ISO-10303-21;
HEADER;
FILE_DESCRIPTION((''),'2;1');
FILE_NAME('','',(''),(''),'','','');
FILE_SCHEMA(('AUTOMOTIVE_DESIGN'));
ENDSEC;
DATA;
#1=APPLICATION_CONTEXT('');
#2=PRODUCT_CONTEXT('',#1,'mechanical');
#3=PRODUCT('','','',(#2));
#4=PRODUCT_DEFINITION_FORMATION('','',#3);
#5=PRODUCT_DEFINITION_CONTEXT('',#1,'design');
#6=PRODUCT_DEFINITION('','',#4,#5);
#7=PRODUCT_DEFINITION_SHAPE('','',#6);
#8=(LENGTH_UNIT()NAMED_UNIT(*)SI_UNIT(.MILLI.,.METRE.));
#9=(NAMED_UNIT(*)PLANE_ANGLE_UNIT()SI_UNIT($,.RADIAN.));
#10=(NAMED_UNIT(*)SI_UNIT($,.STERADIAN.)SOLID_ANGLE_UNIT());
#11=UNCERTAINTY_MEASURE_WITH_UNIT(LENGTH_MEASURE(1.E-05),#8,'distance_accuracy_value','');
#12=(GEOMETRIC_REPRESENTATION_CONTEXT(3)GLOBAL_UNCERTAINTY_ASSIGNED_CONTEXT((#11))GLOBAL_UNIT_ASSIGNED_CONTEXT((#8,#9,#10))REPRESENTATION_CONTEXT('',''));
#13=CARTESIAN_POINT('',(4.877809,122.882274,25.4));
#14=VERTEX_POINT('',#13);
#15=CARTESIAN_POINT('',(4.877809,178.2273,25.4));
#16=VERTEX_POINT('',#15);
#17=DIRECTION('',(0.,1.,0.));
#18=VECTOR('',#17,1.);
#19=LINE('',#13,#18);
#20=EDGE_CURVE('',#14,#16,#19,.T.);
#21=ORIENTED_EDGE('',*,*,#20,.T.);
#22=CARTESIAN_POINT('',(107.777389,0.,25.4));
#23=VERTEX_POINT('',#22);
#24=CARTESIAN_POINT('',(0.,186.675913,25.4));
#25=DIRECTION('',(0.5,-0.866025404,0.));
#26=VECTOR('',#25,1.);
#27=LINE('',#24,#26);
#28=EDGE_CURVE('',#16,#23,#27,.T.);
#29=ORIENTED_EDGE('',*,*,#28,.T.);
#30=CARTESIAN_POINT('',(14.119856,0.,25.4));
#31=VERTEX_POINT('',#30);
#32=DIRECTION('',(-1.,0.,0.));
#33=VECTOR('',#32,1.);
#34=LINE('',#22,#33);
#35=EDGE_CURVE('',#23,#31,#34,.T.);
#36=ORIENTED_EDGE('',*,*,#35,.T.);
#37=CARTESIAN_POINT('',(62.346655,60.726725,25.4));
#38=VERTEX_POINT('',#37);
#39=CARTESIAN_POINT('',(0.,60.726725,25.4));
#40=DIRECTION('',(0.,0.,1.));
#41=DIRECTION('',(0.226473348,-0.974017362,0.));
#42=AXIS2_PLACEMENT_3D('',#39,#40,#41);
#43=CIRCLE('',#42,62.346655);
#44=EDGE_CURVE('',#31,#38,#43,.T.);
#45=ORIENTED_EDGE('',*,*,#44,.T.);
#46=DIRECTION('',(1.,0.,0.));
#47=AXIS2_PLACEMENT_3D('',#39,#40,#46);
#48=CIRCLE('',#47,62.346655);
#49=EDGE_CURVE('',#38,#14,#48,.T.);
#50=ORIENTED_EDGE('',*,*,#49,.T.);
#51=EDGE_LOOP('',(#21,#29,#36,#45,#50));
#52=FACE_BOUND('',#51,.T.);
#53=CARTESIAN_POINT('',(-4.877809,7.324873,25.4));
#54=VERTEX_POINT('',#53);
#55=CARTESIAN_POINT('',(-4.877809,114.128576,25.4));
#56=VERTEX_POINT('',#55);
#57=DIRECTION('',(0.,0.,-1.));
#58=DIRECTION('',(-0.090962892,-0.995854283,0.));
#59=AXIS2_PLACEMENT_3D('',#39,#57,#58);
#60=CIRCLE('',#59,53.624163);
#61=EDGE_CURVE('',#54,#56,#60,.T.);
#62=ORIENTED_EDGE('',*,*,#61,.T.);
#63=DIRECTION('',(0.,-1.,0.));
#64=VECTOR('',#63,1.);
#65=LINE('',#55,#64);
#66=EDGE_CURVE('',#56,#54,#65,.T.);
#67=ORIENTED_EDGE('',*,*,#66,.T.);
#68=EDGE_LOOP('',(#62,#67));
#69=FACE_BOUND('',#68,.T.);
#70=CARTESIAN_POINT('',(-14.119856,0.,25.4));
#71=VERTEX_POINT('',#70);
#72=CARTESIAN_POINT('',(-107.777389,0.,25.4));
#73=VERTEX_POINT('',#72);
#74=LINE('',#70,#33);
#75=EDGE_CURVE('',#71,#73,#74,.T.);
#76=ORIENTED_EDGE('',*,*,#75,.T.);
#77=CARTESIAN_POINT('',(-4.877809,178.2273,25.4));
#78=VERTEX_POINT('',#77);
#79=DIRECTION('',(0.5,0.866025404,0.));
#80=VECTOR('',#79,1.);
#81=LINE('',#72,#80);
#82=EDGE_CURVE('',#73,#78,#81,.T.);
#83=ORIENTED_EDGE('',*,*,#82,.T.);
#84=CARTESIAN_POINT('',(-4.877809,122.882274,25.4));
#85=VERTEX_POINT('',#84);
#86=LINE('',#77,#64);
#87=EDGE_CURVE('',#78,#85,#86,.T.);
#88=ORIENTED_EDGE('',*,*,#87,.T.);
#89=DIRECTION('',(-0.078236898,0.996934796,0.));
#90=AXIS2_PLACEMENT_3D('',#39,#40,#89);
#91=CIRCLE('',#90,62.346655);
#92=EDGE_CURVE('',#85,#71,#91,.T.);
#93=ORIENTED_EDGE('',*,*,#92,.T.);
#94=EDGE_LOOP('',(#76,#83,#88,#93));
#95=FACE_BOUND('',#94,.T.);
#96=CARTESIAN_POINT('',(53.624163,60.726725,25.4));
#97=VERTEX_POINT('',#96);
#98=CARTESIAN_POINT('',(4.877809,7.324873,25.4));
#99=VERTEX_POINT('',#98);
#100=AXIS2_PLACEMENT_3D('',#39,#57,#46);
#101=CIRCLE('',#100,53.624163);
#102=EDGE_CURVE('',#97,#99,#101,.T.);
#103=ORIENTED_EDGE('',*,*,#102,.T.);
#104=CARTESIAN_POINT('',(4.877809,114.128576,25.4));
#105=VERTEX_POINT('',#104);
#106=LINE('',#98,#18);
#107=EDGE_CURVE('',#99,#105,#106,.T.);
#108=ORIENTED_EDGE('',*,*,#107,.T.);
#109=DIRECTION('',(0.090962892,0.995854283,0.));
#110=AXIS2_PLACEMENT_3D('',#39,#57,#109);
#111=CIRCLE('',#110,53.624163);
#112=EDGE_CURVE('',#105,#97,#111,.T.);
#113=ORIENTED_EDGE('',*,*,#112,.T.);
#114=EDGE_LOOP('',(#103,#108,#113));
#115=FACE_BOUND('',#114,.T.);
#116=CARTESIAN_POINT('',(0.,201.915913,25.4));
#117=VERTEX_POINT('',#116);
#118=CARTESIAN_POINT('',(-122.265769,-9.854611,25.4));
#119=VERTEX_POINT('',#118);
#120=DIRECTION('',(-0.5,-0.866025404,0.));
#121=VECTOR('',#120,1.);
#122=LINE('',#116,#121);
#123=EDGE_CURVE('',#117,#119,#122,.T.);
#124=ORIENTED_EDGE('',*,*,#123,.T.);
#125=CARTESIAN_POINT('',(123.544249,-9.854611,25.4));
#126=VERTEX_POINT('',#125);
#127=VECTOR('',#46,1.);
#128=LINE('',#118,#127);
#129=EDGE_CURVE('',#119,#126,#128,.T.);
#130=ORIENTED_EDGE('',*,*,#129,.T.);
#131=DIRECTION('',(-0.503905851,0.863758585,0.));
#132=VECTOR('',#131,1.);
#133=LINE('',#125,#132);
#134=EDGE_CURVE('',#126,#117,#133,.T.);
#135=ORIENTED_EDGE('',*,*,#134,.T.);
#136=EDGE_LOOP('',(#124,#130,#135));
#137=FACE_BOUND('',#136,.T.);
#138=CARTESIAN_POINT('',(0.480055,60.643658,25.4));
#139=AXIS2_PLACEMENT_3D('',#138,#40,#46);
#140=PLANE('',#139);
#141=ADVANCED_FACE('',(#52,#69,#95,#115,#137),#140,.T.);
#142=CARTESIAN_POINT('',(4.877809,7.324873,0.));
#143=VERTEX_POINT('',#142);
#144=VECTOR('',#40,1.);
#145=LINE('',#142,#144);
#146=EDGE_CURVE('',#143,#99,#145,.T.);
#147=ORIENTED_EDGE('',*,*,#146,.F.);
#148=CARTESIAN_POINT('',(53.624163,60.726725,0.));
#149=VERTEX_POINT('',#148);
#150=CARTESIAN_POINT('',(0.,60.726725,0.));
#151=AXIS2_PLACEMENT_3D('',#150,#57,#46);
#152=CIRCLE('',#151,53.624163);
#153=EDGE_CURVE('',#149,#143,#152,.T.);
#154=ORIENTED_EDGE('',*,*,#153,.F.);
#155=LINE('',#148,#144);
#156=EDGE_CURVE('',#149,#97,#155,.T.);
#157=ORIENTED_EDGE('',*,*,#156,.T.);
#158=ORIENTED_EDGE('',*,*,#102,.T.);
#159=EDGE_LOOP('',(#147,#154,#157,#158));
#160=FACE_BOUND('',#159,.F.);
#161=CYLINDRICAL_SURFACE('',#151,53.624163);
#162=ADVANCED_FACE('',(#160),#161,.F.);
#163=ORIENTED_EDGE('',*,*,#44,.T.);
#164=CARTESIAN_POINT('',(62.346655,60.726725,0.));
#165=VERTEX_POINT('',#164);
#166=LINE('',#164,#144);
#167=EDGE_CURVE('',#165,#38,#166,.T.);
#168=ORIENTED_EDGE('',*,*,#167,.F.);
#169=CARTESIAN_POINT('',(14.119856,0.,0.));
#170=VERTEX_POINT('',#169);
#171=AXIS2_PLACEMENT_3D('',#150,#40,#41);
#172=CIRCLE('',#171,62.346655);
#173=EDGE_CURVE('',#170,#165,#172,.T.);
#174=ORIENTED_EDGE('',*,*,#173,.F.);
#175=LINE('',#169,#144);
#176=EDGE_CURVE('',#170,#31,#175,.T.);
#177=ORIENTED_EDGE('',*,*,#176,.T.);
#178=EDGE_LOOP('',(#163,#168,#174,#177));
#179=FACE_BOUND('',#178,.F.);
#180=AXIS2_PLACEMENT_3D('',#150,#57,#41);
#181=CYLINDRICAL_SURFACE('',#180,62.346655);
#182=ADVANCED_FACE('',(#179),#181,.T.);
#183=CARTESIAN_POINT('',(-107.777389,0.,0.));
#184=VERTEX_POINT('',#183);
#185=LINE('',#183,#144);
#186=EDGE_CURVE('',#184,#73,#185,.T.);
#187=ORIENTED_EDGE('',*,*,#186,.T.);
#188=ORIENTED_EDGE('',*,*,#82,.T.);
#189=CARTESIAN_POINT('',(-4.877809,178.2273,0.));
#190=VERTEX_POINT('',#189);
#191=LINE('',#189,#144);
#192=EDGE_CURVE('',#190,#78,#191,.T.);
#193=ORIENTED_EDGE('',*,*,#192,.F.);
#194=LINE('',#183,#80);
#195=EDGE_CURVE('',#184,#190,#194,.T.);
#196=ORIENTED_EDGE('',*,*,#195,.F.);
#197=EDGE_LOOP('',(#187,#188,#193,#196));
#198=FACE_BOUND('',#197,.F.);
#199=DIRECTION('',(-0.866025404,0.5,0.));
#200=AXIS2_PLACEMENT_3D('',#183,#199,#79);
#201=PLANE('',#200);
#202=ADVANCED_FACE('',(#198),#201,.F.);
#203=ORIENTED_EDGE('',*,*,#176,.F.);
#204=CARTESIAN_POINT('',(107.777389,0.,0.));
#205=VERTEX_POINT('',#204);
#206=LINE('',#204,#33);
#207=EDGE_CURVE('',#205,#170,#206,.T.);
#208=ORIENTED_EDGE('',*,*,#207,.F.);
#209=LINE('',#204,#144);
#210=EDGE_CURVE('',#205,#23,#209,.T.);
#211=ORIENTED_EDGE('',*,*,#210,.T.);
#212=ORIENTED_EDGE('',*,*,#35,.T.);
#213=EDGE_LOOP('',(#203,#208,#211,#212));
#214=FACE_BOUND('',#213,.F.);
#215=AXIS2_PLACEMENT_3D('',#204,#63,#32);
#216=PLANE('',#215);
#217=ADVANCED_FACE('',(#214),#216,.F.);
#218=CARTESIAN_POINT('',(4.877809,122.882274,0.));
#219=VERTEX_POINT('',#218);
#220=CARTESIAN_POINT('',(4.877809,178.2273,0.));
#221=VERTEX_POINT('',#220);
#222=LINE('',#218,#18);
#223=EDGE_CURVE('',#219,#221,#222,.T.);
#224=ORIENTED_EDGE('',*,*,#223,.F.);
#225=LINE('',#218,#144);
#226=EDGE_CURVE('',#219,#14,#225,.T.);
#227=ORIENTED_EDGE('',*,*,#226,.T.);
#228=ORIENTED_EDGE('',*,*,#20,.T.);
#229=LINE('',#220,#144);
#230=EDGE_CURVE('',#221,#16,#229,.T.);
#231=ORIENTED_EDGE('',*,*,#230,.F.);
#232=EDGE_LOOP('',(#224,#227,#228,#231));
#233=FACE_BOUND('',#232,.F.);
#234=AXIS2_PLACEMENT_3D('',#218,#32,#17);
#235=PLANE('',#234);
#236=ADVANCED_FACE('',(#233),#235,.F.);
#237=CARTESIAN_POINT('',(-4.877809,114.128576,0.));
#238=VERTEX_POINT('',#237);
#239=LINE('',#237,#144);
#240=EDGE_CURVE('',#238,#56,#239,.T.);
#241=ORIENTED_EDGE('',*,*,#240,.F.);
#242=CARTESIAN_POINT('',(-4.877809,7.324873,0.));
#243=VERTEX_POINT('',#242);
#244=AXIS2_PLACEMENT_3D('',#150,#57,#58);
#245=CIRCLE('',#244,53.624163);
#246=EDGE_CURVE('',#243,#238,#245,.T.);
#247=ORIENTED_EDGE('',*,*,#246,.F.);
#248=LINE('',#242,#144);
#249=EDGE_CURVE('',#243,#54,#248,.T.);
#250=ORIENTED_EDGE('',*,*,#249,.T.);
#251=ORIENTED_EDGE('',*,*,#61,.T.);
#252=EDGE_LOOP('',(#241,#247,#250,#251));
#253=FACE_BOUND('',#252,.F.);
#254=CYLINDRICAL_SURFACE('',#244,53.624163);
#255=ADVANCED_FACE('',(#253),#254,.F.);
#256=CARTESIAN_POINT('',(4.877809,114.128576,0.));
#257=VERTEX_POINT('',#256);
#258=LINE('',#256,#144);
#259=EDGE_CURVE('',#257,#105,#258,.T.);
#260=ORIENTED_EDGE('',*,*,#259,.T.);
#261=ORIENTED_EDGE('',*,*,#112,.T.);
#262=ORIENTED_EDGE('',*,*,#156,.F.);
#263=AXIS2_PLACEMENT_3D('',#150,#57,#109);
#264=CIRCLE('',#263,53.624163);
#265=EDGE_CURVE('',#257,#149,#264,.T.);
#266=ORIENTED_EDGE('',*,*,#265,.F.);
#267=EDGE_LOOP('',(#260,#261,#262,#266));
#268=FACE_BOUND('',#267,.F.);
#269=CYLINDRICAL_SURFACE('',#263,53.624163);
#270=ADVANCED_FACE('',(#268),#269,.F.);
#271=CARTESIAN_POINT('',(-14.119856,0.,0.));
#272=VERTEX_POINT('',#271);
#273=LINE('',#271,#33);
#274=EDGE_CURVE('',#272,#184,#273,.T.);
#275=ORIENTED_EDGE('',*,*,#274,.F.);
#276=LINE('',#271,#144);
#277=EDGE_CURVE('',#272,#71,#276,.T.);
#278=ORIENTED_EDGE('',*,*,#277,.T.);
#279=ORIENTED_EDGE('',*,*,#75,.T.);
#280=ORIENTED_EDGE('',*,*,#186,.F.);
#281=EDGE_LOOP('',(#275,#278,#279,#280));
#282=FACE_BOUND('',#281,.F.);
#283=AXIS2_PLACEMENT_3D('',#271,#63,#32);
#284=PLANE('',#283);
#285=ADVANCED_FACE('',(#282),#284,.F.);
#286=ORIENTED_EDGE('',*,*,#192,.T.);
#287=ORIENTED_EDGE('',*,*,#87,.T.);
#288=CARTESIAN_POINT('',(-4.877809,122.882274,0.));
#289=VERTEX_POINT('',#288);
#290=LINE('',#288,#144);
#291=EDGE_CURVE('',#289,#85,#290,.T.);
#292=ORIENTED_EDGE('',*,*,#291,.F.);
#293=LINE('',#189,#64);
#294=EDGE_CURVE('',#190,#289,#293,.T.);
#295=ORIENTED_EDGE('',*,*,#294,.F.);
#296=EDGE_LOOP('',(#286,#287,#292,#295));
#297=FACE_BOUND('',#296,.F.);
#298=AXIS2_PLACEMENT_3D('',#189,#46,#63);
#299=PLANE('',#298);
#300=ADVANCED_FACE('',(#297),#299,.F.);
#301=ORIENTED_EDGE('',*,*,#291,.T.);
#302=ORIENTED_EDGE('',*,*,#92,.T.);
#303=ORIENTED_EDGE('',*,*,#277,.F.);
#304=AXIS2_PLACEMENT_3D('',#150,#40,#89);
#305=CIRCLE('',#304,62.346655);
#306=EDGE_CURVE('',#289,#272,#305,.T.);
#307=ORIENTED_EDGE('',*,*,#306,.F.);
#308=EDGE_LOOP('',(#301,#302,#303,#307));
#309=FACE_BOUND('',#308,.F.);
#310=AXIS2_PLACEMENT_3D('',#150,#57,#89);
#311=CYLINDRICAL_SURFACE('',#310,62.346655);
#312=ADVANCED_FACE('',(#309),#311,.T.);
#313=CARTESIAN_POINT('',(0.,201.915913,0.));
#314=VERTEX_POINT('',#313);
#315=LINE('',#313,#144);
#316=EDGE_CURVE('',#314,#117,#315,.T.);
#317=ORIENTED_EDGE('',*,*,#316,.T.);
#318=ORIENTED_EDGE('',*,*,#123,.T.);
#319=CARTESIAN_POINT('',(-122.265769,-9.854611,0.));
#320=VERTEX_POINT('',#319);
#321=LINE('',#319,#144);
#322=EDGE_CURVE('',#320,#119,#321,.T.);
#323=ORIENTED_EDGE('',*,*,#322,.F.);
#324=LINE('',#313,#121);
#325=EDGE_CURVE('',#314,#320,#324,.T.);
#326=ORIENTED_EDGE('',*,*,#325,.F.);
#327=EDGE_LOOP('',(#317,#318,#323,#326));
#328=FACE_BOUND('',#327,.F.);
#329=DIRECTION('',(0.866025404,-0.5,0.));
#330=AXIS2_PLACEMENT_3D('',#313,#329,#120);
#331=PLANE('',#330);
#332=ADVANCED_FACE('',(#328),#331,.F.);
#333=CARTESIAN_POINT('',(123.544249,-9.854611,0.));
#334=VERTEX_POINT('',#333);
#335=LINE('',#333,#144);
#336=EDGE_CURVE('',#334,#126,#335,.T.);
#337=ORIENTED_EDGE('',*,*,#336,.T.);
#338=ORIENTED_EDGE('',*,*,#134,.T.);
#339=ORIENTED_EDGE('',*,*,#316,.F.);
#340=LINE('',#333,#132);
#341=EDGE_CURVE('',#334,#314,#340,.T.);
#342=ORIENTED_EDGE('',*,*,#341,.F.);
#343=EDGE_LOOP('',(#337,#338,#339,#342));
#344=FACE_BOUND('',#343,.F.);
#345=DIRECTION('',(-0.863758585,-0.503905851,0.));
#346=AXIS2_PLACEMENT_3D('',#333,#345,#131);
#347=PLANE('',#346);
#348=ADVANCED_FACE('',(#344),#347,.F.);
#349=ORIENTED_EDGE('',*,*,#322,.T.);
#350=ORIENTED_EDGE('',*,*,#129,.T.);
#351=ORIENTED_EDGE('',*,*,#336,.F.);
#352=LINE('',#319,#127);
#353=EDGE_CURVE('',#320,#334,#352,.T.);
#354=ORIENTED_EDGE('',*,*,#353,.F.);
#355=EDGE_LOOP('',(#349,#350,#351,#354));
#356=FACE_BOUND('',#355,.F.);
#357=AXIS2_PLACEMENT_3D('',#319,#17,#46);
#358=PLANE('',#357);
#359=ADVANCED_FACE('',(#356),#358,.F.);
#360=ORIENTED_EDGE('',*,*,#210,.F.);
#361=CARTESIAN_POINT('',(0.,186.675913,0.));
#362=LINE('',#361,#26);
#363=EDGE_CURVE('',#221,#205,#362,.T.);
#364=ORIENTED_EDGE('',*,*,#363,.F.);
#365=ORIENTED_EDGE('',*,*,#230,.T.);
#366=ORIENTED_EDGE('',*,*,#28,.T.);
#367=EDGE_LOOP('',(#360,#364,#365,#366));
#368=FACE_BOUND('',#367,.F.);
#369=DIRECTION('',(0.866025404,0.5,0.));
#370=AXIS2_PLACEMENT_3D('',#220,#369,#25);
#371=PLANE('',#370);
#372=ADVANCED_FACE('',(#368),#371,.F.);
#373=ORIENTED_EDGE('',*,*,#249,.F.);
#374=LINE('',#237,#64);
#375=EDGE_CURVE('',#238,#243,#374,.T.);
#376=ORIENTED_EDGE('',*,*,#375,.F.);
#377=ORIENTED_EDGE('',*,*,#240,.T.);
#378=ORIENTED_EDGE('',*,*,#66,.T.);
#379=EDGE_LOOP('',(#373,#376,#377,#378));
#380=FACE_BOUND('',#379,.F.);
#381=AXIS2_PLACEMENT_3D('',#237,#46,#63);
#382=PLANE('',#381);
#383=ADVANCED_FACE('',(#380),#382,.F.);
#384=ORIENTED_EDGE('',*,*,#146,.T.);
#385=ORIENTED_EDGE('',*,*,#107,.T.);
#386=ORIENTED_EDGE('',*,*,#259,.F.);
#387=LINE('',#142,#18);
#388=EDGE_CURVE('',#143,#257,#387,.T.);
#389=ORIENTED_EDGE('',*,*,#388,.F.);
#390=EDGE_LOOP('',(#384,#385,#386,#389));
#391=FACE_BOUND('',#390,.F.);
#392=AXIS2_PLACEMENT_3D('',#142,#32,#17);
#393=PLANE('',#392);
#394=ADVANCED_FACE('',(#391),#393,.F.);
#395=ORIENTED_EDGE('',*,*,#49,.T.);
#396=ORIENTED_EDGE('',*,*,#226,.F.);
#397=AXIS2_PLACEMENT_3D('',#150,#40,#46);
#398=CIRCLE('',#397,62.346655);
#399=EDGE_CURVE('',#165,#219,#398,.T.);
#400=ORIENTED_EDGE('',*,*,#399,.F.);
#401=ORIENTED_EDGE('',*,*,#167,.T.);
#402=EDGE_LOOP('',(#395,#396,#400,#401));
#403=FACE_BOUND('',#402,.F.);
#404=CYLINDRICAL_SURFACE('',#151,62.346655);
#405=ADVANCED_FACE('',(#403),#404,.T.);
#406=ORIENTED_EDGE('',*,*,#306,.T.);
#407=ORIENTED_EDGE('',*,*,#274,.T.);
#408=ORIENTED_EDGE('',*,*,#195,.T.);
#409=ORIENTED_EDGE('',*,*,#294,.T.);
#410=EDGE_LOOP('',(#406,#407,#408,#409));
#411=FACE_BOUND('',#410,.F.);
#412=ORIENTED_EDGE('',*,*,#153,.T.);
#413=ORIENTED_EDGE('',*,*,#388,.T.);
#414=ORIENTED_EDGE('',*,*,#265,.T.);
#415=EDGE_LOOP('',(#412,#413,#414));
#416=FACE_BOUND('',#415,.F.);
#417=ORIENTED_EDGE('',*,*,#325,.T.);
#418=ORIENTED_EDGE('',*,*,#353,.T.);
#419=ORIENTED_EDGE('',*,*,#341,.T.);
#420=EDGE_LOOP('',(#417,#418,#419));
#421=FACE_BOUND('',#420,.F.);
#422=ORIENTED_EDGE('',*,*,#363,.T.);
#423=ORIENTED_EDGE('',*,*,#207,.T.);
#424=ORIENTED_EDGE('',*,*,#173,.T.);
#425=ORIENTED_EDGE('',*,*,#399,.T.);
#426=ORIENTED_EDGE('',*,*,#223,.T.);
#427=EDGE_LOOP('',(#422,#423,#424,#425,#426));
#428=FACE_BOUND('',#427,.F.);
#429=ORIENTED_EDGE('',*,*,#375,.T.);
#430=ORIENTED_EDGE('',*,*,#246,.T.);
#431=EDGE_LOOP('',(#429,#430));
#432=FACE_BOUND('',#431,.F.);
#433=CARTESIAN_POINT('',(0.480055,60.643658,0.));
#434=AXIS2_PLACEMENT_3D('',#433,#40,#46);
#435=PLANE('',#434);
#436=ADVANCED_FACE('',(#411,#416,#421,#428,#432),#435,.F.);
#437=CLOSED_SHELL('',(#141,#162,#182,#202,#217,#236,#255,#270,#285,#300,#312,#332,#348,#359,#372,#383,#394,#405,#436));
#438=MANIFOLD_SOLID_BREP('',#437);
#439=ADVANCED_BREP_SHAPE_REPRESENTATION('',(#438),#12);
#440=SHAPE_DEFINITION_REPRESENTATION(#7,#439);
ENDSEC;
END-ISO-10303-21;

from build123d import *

# Parameters (mm, degrees)
F1_DEPTH = 25.4


with BuildPart() as f1:
    # F0 (on Top) → F1 (new body)
    with BuildSketch(Plane.XY):
        Polygon((123.5442494553, -9.8546108769), (0, 201.9159130813), (-122.2657690137, -9.8546108769), align=None)
        with BuildLine():
            Line((-4.8778088885, 178.2273002568), (0, 186.6759130813))
            Line((0, 186.6759130813), (4.8778088885, 178.2273002568))
            Line((4.8778088885, 178.2273002568), (107.7773886687, 0))
            Line((107.7773886687, 0), (14.1198557448, 0))
            ThreePointArc((14.1198557448, 0), (9.5256601261, -0.8879425347), (4.8778088885, -1.4288253328))
            ThreePointArc((4.8778088885, -1.4288253328), (-4.6759216184, -1.4443391195), (-14.1198557448, 0))
            Line((-14.1198557448, 0), (-107.7773886687, 0))
            Line((-107.7773886687, 0), (-4.8778088885, 178.2273002568))
        make_face(mode=Mode.SUBTRACT)
        with BuildLine():
            Line((-4.8778088885, 114.1285764535), (-4.8778088885, 122.8822744628))
            ThreePointArc((-4.8778088885, 122.8822744628), (-62.1710636846, 65.4026461834), (-14.1198557448, 0))
            Line((-14.1198557448, 0), (-4.8778088885, 0))
            Line((-4.8778088885, 0), (-4.8778088885, 7.3248726765))
            ThreePointArc((-4.8778088885, 7.3248726765), (-53.6241625079, 60.726724565), (-4.8778088885, 114.1285764535))
        make_face()
        with BuildLine():
            ThreePointArc((62.346655104, 60.726724565), (45.7778356363, 103.052782344), (4.8778088885, 122.8822744628))
            Line((4.8778088885, 122.8822744628), (4.8778088885, 114.1285764535))
            ThreePointArc((4.8778088885, 114.1285764535), (39.6050452669, 96.8790577412), (53.6241625079, 60.726724565))
            ThreePointArc((53.6241625079, 60.726724565), (39.6050452669, 24.5743913889), (4.8778088885, 7.3248726765))
            Line((4.8778088885, 7.3248726765), (4.8778088885, 0))
            Line((4.8778088885, 0), (14.1198557448, 0))
            ThreePointArc((14.1198557448, 0), (48.8233098985, 21.9531534991), (62.346655104, 60.726724565))
        make_face()
        with BuildLine():
            ThreePointArc((4.8778088885, 114.1285764535), (0, 114.3508870729), (-4.8778088885, 114.1285764535))
            Line((-4.8778088885, 114.1285764535), (-4.8778088885, 7.3248726765))
            ThreePointArc((-4.8778088885, 7.3248726765), (0, 7.1025620571), (4.8778088885, 7.3248726765))
            Line((4.8778088885, 7.3248726765), (4.8778088885, 114.1285764535))
        make_face()
        with BuildLine():
            Line((4.8778088885, 178.2273002568), (0, 186.6759130813))
            Line((0, 186.6759130813), (-4.8778088885, 178.2273002568))
            Line((-4.8778088885, 178.2273002568), (-4.8778088885, 122.8822744628))
            ThreePointArc((-4.8778088885, 122.8822744628), (0, 123.073379669), (4.8778088885, 122.8822744628))
            Line((4.8778088885, 122.8822744628), (4.8778088885, 178.2273002568))
        make_face()
        with BuildLine():
            ThreePointArc((4.8778088885, 122.8822744628), (0, 123.073379669), (-4.8778088885, 122.8822744628))
            Line((-4.8778088885, 122.8822744628), (-4.8778088885, 114.1285764535))
            ThreePointArc((-4.8778088885, 114.1285764535), (0, 114.3508870729), (4.8778088885, 114.1285764535))
            Line((4.8778088885, 114.1285764535), (4.8778088885, 122.8822744628))
        make_face()
        with BuildLine():
            Line((-4.8778088885, 7.3248726765), (-4.8778088885, 0))
            Line((-4.8778088885, 0), (4.8778088885, 0))
            Line((4.8778088885, 0), (4.8778088885, 7.3248726765))
            ThreePointArc((4.8778088885, 7.3248726765), (0, 7.1025620571), (-4.8778088885, 7.3248726765))
        make_face()
        with BuildLine():
            Line((-4.8778088885, 0), (-14.1198557448, 0))
            ThreePointArc((-14.1198557448, 0), (-4.6759216184, -1.4443391195), (4.8778088885, -1.4288253328))
            Line((4.8778088885, -1.4288253328), (4.8778088885, 0))
            Line((4.8778088885, 0), (-4.8778088885, 0))
        make_face()
        with BuildLine():
            ThreePointArc((4.8778088885, -1.4288253328), (9.5256601261, -0.8879425347), (14.1198557448, 0))
            Line((14.1198557448, 0), (4.8778088885, 0))
            Line((4.8778088885, 0), (4.8778088885, -1.4288253328))
        make_face()
    extrude(amount=F1_DEPTH)


solid = f1.part
